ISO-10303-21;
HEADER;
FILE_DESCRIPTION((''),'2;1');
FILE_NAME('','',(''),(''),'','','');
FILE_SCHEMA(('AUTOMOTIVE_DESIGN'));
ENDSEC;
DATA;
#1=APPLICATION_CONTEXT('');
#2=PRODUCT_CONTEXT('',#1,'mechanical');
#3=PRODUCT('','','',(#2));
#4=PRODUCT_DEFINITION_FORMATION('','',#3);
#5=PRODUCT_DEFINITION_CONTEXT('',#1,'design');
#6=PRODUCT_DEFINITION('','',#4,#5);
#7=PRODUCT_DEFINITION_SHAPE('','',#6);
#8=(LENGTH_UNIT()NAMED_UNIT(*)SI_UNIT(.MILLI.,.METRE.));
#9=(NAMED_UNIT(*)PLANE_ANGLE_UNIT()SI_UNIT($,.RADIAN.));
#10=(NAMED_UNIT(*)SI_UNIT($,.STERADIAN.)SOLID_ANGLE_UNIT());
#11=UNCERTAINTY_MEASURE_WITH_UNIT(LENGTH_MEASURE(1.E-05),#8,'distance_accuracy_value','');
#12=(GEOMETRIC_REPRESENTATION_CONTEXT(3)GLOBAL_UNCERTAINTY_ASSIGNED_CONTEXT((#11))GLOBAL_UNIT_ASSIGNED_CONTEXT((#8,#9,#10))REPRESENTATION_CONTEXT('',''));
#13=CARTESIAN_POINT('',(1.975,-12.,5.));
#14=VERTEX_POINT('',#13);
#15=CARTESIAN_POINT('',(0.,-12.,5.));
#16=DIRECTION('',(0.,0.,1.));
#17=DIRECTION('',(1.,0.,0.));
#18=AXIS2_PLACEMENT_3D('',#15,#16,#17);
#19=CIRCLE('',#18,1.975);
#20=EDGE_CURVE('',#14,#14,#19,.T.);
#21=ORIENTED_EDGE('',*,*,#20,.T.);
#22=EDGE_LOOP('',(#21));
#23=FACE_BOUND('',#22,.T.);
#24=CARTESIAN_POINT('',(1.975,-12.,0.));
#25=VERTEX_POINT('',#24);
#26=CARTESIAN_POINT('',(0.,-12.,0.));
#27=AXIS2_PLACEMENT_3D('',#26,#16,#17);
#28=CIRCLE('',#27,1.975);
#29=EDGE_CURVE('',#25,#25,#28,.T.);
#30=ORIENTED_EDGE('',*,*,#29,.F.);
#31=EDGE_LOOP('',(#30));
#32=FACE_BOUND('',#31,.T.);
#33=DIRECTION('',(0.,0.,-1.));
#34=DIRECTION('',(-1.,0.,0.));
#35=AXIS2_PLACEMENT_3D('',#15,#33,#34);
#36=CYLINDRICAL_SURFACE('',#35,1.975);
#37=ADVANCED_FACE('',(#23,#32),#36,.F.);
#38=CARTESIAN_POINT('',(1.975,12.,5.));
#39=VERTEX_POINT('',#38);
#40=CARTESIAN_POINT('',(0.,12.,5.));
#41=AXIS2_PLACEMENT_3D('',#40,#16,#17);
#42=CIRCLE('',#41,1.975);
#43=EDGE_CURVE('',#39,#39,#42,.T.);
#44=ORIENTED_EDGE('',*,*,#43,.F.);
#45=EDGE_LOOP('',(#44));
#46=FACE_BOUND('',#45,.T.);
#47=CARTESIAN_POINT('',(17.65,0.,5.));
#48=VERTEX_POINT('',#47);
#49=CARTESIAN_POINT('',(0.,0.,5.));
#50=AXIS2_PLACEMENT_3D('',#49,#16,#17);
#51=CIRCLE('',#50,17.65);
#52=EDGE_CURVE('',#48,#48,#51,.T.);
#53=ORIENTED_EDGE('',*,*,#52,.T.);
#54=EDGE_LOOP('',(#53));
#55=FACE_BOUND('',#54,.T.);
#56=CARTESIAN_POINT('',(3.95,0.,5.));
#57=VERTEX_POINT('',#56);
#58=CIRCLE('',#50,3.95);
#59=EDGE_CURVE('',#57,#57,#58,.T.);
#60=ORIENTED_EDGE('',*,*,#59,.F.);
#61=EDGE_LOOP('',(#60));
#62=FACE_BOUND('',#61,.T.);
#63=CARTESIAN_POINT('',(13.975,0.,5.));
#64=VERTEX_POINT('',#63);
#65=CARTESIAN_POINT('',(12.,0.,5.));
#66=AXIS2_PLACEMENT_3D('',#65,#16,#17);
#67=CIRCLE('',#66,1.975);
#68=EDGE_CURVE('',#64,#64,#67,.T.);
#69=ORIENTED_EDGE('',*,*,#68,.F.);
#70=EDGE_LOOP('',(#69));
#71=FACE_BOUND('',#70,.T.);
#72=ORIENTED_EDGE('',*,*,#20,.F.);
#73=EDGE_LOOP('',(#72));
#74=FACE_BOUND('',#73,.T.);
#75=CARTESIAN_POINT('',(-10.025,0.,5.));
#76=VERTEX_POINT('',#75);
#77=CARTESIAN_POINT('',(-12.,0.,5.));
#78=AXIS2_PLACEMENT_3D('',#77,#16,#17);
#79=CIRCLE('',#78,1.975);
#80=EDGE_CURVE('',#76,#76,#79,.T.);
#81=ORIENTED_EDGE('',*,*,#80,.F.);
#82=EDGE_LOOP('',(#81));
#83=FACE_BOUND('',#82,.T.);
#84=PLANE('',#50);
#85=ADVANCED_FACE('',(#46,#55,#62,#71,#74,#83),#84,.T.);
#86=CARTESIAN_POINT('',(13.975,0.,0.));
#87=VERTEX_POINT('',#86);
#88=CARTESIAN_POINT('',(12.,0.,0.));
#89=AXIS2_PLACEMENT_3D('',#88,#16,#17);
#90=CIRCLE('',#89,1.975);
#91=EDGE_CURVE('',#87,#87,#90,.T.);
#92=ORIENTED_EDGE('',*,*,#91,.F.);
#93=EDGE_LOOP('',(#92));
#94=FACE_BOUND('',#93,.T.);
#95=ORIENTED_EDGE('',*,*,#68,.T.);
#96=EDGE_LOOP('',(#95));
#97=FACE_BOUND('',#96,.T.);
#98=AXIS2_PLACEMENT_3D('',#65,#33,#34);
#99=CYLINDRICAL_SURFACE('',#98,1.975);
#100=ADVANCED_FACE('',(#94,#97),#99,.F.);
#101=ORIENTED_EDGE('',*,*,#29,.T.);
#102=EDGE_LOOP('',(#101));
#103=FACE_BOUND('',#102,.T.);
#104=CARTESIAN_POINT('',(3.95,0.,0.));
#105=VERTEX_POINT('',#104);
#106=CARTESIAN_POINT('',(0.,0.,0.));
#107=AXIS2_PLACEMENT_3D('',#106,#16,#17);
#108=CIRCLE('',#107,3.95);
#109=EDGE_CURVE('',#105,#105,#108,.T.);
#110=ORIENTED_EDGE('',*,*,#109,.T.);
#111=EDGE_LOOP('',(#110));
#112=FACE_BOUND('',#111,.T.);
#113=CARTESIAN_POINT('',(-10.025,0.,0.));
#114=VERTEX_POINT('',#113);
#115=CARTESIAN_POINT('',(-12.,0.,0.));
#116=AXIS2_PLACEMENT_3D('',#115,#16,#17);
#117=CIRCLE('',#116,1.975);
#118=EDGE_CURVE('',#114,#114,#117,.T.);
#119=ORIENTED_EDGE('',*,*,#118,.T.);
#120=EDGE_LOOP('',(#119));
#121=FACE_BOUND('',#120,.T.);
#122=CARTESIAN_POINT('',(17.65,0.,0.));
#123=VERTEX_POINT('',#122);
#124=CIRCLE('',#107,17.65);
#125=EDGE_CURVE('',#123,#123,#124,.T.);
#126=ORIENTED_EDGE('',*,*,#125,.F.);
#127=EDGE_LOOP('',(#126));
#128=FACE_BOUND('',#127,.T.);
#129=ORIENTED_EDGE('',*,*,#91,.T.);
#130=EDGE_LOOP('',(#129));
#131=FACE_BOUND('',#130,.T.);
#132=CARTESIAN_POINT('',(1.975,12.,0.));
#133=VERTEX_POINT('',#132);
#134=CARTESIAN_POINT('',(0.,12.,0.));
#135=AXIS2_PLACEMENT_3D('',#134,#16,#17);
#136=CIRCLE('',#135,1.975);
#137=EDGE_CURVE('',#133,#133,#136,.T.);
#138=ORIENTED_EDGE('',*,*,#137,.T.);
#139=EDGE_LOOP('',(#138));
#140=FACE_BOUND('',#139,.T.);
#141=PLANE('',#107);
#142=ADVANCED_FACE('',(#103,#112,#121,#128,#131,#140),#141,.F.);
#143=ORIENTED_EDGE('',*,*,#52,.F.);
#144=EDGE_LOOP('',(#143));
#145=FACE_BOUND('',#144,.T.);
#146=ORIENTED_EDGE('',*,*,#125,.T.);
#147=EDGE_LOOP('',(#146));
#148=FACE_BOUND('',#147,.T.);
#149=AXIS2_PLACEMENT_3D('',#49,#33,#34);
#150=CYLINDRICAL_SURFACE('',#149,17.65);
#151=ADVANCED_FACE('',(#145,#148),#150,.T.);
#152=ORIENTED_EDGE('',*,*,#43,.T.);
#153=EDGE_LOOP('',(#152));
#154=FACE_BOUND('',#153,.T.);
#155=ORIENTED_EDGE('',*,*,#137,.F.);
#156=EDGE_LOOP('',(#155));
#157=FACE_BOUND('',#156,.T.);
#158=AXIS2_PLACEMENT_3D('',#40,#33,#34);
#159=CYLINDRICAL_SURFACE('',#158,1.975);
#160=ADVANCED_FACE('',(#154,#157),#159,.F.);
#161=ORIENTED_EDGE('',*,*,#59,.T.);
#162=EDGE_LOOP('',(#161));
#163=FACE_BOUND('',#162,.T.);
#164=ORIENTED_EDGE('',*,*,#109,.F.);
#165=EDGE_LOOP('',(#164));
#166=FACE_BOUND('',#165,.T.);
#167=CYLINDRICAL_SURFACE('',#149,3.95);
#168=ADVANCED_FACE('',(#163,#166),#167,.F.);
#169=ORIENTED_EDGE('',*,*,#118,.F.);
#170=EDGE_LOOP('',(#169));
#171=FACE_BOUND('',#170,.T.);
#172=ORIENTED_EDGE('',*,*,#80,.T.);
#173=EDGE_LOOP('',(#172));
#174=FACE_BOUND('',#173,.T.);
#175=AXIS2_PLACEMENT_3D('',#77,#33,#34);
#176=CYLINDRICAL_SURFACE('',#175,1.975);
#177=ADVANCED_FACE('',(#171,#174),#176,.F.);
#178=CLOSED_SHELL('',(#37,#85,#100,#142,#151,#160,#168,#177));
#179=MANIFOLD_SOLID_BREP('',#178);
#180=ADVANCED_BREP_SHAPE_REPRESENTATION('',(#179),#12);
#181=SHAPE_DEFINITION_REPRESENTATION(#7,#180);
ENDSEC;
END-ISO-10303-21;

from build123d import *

# Parameters (mm, degrees)
SKETCH1_R           = 17.65
SKETCH1_R_2         = 3.95
SKETCH1_R_3         = 1.975
BOSS_EXTRUDE1_DEPTH = 5


with BuildPart() as part:
    # Sketch1 → Boss-Extrude1 (new body)
    with BuildSketch(Plane.XY):
        Circle(SKETCH1_R)
        Circle(SKETCH1_R_2, mode=Mode.SUBTRACT)
        with Locations((0, 12)):
            Circle(SKETCH1_R_3, mode=Mode.SUBTRACT)
        with Locations((12, 0)):
            Circle(SKETCH1_R_3, mode=Mode.SUBTRACT)
        with Locations((0, -12)):
            Circle(SKETCH1_R_3, mode=Mode.SUBTRACT)
        with Locations((-12, 0)):
            Circle(SKETCH1_R_3, mode=Mode.SUBTRACT)
    extrude(amount=BOSS_EXTRUDE1_DEPTH)


solid = part.part
